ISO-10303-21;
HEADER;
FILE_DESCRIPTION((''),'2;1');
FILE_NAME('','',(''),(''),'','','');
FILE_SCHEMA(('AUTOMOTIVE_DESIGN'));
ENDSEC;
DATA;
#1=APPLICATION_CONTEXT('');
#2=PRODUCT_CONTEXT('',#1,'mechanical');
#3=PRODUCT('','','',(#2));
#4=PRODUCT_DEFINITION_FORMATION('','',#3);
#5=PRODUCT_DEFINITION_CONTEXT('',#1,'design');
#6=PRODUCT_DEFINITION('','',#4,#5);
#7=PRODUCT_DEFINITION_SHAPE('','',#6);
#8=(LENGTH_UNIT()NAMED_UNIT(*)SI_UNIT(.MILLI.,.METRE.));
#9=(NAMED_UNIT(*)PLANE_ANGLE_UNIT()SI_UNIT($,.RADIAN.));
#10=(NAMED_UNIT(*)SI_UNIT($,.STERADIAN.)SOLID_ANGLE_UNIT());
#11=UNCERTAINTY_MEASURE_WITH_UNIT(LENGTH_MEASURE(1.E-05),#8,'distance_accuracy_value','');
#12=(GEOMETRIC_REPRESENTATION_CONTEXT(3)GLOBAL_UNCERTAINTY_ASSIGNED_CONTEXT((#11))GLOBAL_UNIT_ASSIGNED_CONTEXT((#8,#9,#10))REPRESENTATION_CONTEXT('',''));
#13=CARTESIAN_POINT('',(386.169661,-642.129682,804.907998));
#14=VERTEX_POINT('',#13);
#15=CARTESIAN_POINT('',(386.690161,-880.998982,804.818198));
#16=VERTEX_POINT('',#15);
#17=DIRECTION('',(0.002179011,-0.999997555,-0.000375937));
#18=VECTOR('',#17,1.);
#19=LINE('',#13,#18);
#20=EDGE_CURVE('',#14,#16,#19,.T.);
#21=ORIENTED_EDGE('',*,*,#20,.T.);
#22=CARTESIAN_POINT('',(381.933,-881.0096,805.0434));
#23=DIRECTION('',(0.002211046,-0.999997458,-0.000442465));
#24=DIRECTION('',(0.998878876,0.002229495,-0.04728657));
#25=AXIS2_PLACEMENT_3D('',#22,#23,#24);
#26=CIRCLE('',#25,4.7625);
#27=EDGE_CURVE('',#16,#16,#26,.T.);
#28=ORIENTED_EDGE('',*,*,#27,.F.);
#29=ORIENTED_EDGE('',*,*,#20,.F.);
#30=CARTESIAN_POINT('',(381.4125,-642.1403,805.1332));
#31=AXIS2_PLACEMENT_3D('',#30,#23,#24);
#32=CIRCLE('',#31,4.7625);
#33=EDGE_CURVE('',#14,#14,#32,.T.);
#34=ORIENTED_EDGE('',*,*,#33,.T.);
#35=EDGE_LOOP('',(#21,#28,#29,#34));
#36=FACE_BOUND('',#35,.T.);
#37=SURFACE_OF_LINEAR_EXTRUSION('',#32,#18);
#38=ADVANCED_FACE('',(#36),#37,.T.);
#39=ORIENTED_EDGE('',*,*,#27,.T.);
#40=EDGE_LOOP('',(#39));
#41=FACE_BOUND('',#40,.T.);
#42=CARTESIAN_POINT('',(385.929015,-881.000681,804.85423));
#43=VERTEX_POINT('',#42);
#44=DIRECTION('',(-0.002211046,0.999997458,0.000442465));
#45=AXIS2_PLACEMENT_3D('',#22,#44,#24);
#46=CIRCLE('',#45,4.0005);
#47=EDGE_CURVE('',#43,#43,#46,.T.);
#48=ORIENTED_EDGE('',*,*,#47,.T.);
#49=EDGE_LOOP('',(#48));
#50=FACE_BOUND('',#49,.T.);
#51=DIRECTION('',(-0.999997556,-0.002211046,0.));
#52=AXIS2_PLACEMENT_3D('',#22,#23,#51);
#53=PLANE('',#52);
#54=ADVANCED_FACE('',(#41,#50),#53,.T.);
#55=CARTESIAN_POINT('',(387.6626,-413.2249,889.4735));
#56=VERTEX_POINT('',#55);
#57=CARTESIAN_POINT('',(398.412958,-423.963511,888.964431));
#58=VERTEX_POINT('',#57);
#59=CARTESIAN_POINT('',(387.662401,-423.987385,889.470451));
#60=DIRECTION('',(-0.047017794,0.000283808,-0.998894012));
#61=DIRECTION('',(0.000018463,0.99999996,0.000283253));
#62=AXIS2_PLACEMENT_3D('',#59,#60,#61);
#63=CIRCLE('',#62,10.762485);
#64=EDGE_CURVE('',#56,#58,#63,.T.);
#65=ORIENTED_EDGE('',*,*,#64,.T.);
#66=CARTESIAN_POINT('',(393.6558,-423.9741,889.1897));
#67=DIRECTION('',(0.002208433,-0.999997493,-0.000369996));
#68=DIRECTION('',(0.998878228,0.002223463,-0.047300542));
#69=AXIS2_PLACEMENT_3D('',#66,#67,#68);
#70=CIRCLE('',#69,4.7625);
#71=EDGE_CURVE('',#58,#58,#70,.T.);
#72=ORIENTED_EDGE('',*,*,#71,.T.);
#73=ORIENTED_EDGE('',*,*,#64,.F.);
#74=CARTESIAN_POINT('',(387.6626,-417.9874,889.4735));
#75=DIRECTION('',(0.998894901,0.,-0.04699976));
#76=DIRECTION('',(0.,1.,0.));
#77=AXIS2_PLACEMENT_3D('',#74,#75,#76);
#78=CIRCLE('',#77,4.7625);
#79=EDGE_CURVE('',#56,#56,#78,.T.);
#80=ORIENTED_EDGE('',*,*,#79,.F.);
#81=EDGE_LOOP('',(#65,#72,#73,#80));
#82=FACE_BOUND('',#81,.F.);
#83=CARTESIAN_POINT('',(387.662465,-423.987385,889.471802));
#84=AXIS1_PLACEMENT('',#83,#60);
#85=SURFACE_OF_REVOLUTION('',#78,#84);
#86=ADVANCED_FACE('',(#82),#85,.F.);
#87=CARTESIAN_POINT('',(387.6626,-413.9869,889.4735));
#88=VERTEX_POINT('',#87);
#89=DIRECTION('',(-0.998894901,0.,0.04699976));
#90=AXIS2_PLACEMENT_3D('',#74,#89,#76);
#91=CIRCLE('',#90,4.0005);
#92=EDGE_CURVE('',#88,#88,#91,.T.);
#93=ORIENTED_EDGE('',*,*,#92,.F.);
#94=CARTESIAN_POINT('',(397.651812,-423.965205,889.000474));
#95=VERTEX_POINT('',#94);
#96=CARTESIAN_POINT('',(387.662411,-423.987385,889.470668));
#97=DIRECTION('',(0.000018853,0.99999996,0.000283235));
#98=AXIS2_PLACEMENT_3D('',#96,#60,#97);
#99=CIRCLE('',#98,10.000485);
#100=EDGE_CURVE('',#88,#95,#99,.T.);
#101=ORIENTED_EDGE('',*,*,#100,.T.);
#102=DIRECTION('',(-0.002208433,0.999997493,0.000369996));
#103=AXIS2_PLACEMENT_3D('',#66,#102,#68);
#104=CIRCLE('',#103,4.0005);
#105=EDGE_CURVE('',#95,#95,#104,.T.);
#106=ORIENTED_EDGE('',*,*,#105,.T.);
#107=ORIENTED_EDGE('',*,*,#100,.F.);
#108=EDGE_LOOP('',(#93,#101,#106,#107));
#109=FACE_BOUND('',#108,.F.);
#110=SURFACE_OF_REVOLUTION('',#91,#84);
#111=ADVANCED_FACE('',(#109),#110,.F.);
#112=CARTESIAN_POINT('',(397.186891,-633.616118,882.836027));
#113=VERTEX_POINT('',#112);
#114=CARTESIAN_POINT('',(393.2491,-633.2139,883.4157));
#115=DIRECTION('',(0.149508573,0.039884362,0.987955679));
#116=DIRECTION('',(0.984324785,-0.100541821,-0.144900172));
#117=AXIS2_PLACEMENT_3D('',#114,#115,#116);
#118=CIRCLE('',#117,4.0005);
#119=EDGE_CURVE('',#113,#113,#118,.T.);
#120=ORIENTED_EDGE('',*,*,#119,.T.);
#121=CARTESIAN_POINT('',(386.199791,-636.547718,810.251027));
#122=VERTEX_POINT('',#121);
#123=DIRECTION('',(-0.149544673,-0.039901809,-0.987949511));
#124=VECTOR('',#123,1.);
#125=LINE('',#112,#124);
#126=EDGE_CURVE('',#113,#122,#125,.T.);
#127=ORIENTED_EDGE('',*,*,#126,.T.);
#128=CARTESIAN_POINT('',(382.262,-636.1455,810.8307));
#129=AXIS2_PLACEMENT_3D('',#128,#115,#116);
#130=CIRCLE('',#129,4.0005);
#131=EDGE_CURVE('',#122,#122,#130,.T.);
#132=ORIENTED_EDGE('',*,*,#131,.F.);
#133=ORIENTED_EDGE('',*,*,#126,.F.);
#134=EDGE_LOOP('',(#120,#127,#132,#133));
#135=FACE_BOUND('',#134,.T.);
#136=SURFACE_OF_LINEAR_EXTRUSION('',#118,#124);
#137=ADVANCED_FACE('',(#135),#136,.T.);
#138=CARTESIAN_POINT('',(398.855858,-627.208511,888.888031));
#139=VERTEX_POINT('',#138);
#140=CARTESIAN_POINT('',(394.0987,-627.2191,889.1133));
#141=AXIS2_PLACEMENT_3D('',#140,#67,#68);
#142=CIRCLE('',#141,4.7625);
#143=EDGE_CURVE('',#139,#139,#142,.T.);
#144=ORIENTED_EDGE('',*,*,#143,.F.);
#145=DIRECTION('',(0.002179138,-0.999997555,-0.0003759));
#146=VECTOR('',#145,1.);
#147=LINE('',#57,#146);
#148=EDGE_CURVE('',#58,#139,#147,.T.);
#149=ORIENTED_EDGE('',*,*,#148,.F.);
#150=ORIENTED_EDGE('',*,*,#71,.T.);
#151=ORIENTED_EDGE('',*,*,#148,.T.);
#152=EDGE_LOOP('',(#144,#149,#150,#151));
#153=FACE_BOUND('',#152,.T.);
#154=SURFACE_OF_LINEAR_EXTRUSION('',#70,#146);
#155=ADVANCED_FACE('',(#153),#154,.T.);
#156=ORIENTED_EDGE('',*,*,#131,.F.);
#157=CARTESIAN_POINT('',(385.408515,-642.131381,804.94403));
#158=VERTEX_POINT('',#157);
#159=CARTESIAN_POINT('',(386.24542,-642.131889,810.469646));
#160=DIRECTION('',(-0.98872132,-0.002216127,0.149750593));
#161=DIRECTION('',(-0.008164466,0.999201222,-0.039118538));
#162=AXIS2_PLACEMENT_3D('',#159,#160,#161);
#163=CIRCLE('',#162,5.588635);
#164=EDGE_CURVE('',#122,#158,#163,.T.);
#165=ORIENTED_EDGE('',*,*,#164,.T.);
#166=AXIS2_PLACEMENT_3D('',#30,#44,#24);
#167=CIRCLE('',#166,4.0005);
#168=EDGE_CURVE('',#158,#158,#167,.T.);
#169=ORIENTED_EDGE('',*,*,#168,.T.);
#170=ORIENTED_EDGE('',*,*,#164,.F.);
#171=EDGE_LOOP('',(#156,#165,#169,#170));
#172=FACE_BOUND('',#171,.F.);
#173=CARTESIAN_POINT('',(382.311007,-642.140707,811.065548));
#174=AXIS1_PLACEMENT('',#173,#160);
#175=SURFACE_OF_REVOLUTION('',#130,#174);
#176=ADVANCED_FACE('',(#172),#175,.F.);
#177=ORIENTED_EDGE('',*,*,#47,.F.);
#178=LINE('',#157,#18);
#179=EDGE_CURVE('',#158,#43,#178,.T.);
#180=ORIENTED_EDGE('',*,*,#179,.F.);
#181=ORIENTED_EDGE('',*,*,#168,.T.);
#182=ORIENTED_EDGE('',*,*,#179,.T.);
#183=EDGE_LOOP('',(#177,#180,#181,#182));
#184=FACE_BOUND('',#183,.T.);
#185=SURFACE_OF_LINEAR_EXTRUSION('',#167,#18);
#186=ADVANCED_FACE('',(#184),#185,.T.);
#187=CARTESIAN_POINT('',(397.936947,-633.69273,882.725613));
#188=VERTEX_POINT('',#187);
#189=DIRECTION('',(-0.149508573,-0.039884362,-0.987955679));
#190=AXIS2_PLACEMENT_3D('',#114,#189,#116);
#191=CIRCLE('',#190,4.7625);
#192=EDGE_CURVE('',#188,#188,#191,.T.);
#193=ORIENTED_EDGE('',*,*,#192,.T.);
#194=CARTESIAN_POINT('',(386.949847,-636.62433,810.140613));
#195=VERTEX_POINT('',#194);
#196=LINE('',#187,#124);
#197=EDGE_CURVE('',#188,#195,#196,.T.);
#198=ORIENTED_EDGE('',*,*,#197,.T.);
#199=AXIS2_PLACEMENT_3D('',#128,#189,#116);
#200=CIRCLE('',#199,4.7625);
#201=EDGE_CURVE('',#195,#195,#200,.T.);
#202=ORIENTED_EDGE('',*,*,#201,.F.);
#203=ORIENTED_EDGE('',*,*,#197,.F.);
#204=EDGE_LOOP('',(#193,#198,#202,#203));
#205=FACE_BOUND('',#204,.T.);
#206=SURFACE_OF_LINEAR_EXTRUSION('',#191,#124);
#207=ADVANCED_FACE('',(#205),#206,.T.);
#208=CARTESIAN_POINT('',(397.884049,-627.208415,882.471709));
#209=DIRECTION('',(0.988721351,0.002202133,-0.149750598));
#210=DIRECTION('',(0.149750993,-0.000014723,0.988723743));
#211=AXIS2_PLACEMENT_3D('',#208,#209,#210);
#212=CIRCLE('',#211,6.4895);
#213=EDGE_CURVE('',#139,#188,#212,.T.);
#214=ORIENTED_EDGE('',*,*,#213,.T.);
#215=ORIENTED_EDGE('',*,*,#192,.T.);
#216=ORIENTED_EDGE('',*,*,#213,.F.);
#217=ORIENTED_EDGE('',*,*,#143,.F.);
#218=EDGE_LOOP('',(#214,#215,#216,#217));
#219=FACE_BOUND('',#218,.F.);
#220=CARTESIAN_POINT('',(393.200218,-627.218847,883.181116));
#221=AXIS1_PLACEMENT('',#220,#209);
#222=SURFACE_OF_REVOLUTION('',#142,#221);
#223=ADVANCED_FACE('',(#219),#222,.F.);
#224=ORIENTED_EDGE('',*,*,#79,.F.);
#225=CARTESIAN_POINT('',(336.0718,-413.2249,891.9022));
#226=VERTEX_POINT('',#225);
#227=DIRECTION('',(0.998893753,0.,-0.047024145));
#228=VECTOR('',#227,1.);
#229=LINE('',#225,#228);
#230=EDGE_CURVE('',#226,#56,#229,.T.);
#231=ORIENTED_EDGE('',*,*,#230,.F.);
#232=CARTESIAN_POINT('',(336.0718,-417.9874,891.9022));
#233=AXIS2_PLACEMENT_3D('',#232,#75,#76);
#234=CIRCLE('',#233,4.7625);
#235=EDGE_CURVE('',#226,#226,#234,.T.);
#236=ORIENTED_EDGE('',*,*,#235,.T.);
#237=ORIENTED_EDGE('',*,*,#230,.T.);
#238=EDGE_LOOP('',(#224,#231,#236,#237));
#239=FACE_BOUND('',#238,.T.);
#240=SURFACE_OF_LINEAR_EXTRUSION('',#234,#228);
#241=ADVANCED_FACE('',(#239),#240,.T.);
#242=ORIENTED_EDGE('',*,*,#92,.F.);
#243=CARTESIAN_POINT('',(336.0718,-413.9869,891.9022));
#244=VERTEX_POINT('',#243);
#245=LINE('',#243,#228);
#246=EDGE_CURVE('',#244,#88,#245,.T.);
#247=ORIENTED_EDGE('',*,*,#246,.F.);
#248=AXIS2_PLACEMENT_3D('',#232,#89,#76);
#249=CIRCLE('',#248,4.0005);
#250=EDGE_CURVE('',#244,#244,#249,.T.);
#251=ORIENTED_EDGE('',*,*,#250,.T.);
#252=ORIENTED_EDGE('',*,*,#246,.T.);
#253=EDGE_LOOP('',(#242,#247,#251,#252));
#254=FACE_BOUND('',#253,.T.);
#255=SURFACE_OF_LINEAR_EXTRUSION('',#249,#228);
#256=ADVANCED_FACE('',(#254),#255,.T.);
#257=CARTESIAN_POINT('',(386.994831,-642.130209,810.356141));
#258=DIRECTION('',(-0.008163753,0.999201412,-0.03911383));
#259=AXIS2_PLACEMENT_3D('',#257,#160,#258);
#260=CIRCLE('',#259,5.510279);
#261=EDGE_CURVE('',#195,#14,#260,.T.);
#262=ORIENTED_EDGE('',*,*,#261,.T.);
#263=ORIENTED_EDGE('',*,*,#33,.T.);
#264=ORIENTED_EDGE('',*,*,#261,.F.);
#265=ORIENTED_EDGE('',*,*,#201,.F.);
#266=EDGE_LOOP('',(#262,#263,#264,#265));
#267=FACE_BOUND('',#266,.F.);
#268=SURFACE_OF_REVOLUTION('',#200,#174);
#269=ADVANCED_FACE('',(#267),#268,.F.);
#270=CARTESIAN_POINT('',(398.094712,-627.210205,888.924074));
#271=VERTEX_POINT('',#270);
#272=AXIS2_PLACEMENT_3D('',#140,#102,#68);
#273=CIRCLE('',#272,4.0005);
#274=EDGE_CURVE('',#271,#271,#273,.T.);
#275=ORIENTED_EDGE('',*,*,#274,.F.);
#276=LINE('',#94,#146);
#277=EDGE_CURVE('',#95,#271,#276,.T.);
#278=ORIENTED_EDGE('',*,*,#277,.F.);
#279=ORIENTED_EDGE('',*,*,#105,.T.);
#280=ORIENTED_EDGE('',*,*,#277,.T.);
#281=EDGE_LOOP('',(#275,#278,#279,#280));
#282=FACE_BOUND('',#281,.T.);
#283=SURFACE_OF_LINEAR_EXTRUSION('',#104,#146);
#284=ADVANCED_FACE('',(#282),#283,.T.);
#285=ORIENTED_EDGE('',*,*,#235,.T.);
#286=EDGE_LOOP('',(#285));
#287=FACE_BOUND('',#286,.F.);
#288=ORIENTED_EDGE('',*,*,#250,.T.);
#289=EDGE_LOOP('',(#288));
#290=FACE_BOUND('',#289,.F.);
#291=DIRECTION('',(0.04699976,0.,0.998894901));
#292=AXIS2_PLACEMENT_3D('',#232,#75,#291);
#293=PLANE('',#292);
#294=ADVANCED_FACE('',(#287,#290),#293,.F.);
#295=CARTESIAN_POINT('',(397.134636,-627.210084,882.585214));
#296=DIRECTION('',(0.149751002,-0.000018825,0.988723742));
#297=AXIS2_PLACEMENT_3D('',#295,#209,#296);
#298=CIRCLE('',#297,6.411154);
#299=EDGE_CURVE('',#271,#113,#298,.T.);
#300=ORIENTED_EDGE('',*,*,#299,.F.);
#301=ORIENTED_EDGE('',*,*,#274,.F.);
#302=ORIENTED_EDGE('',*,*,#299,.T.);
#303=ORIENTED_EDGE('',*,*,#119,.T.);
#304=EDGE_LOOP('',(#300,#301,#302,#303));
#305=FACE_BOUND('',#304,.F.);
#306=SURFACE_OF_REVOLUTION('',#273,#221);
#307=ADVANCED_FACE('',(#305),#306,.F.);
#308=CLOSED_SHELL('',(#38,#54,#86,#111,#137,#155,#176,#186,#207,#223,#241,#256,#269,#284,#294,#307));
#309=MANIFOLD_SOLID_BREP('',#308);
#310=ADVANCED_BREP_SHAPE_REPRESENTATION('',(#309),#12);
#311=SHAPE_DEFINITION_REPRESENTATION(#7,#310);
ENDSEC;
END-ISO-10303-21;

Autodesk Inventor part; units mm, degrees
ref_plane "YZ Plane" through (0, 0, 0) normal (1, 0, 0) x (0, 1, 0)
ref_plane "XZ Plane" through (0, 0, 0) normal (0, 1, 0) x (-1, 0, 0)
ref_plane "Work Plane5" through (336.0718, -417.9874, 891.9022) normal (0.9989, 0, -0.047) x (0, 1, 0)
sketch "Sketch7" plane through (336.0718, -417.9874, 891.9022) normal (0.9989, 0, -0.047) x (0, 1, 0)
  circle A0 centre (0, 0) radius 4.7625
  circle A1 centre (0, 0) radius 4.0005
sketch3d "3D Sketch5"
  line L0 (336.0718, -417.9874, 891.9022) -> (387.6626, -417.9874, 889.4735)
  arc A0 (387.6626, -417.9874, 889.4735) -> (393.6558, -423.9741, 889.1897) centre (387.6625, -423.9873, 889.4718) ccw
  line L1 (393.6558, -423.9741, 889.1897) -> (394.0987, -627.2191, 889.1133)
  arc A1 (394.0987, -627.2191, 889.1133) -> (393.2491, -633.2139, 883.4157) centre (393.2002, -627.2188, 883.181) ccw
  line L2 (393.2491, -633.2139, 883.4157) -> (382.262, -636.1455, 810.8307)
  arc A2 (382.262, -636.1455, 810.8307) -> (381.4125, -642.1403, 805.1332) centre (382.311, -642.1406, 811.0655) ccw
  line L3 (381.4125, -642.1403, 805.1332) -> (381.933, -881.0096, 805.0434)
  dimension "d24" = 5.9999
  dimension "d25" = 5.9999
  dimension "d26" = 5.9999
sweep "Sweep5" add profiles "Sketch7" path "3D Sketch5"
equation "\"OD\" = 9.525"
equation "\"t\" = 0.762"
equation "\"L\" = PL"
equation "\"ID\" = 8.001"
equation "\"PL\" = 595.0204"
equation "\"Size_Designation\" = 1.2345"
properties material "Copper"
